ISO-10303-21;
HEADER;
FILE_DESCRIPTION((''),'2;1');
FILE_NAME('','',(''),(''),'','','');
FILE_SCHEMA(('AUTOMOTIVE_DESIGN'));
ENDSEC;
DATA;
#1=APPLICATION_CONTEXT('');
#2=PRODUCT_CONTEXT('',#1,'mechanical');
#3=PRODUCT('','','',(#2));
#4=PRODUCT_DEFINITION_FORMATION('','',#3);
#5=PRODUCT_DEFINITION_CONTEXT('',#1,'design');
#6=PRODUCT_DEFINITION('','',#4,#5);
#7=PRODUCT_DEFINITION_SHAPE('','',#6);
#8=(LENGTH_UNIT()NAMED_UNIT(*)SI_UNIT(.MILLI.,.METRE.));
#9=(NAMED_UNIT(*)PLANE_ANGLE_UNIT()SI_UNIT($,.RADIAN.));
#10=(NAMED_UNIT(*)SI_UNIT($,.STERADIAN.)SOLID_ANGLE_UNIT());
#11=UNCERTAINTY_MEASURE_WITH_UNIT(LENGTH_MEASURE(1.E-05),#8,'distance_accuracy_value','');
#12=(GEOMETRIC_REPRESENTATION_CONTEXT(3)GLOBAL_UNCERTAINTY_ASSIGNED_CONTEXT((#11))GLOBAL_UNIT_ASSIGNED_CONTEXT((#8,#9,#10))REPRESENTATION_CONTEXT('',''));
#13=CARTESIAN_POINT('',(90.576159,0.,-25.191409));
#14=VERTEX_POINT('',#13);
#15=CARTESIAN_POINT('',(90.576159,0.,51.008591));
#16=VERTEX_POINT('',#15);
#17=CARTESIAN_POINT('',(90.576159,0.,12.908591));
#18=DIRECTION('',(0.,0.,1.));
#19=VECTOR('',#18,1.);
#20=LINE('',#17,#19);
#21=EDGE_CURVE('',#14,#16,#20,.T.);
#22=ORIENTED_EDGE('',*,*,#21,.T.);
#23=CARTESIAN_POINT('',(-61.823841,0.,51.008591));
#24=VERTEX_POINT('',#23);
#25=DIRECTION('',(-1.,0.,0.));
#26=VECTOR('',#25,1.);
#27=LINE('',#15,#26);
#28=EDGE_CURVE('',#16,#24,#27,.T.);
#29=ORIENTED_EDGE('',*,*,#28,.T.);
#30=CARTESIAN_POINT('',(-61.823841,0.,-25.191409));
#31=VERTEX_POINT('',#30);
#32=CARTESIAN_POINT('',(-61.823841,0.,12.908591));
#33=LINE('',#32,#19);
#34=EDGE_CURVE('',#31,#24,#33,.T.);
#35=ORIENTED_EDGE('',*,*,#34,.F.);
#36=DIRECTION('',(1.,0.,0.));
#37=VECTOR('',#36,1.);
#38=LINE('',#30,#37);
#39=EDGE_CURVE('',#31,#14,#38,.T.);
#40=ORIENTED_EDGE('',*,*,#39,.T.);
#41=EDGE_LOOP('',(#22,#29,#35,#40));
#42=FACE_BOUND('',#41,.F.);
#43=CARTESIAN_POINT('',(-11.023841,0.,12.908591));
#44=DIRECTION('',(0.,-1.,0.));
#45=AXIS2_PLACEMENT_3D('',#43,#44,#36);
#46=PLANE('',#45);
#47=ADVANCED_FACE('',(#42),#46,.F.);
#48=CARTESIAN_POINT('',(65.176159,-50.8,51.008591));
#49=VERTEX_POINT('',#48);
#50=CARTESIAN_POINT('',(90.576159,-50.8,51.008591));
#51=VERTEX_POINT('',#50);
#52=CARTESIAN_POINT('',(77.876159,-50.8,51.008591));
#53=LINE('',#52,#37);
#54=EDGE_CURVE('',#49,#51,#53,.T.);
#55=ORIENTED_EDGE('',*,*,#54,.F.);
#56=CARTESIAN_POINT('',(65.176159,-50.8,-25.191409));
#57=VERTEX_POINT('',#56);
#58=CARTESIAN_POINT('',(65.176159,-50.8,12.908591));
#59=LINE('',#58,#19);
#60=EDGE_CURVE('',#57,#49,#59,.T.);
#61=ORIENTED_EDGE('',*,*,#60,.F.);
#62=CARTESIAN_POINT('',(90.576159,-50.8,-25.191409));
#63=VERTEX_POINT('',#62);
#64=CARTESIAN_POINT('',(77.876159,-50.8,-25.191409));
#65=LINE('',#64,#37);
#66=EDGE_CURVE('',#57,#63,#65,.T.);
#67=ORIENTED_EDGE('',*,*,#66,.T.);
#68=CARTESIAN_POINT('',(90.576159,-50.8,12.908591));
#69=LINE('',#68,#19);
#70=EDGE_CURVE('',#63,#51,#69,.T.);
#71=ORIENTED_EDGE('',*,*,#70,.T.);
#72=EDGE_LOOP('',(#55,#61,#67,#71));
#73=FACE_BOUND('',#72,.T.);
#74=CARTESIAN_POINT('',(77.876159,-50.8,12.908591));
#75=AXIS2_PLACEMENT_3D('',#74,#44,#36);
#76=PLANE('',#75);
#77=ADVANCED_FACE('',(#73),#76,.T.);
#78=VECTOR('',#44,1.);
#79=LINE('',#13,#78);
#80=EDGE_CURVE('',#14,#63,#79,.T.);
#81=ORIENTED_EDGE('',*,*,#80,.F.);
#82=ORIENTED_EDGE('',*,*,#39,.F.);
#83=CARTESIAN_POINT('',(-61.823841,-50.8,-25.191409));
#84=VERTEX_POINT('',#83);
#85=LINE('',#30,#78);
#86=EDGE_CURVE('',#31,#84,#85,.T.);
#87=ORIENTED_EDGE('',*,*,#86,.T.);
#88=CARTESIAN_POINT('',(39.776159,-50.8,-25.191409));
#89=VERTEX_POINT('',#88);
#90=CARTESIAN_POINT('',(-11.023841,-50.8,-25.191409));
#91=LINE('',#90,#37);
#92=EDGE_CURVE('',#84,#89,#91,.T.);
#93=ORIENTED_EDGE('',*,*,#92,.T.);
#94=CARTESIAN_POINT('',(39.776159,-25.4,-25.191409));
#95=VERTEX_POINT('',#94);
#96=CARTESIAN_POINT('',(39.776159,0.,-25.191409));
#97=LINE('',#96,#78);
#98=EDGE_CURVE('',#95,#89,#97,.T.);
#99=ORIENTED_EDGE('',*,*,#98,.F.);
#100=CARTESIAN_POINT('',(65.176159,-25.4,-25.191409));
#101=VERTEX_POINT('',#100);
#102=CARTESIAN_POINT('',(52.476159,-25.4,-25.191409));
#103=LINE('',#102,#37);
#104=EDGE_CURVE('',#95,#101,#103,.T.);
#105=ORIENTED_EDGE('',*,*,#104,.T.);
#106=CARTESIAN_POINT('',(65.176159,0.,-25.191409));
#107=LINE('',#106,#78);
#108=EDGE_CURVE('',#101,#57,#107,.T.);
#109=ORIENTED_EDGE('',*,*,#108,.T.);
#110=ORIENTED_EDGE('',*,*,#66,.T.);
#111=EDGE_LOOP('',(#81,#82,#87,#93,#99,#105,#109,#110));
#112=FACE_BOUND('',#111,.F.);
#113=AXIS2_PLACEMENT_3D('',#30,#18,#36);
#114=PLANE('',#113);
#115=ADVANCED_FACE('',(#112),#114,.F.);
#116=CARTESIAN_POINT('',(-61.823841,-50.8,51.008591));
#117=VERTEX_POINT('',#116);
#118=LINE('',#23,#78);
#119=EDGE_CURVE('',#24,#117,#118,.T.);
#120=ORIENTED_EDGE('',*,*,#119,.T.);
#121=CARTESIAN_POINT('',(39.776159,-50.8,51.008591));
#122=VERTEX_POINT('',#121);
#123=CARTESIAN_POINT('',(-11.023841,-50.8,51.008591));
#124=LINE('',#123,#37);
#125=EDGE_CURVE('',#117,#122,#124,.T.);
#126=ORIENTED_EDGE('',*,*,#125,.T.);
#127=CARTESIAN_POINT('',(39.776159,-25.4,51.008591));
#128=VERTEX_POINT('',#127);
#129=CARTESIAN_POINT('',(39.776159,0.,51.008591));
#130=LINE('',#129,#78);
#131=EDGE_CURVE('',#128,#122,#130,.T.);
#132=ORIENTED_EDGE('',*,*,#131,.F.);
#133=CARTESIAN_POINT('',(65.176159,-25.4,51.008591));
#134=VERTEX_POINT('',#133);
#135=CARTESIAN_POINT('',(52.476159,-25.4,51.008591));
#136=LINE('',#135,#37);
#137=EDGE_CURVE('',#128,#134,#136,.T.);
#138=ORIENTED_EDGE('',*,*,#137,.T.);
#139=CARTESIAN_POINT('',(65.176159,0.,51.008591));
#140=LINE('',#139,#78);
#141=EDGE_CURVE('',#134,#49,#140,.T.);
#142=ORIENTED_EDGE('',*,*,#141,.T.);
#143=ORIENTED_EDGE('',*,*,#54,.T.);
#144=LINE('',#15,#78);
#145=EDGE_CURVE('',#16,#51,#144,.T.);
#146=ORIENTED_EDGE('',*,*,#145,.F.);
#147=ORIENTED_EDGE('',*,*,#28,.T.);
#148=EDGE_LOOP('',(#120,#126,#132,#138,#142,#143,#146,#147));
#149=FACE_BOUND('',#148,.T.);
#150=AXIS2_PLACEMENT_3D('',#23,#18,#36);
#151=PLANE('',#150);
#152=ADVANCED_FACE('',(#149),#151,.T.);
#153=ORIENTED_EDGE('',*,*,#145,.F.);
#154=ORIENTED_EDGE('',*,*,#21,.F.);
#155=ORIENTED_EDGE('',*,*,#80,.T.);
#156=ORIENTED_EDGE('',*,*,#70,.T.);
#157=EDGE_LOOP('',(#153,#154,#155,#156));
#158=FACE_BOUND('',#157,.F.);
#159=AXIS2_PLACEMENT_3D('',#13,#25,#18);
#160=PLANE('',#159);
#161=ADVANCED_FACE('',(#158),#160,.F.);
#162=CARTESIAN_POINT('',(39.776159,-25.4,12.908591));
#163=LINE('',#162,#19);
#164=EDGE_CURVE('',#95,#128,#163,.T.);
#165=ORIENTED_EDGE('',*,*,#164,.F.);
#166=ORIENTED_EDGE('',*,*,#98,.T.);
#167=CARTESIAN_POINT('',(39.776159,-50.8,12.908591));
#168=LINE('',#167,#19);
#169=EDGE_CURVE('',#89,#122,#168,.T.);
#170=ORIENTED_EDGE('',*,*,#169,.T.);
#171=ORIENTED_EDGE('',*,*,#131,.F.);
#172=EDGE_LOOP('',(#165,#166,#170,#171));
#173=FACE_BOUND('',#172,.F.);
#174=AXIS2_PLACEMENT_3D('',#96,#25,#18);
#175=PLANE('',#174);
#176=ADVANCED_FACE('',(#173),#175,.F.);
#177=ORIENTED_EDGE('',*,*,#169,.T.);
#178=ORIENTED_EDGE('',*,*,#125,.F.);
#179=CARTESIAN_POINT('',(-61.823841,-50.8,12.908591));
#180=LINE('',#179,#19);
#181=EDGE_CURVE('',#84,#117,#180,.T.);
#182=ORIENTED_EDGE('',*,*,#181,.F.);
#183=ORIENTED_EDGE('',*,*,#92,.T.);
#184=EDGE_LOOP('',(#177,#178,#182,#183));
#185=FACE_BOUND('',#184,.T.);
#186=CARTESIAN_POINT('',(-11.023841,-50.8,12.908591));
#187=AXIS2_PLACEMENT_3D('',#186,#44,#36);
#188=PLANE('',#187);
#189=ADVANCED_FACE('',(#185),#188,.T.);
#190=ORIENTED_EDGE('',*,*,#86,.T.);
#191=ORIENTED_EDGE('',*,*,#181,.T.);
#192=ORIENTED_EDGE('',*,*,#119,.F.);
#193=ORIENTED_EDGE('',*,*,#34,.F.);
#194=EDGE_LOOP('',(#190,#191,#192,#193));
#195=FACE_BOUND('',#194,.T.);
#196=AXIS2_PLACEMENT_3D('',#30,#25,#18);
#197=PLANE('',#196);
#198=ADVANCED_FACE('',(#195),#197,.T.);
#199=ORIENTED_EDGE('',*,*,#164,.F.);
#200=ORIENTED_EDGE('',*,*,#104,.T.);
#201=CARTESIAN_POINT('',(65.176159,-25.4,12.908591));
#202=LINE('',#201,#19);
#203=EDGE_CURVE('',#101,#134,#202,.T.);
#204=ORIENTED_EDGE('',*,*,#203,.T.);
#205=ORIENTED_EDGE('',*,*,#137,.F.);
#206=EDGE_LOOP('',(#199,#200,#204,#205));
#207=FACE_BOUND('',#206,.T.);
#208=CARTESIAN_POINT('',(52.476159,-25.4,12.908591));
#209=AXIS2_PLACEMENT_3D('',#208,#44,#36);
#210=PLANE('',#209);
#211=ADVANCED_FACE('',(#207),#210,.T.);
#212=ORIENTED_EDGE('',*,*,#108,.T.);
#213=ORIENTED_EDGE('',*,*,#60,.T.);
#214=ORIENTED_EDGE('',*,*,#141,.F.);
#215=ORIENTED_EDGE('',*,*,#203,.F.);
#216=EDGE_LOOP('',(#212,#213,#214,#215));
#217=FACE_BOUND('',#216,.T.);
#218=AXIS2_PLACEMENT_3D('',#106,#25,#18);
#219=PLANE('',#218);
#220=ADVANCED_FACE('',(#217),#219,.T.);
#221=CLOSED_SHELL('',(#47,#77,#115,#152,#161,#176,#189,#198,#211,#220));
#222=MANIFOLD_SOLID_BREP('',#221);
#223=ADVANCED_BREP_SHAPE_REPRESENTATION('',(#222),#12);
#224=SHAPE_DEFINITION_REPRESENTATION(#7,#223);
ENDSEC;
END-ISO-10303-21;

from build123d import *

# Parameters (mm, degrees)
F0_W     = 25.4
F0_H     = 76.2
F1_DEPTH = 25.4
F0_W_2   = 101.6
F2_DEPTH = 50.8


with BuildPart() as f1:
    # F0 (on Front) → F1 (new body)
    with BuildSketch(Plane.XZ):
        with Locations((52.476159, 12.908591)):
            Rectangle(F0_W, F0_H)
    extrude(amount=F1_DEPTH)

    # F0 (on Front) → F2 (join)
    with BuildSketch(Plane.XZ):
        with Locations((-11.023841, 12.908591)):
            Rectangle(F0_W_2, F0_H)
        with Locations((77.876159, 12.908591)):
            Rectangle(F0_W, F0_H)
    extrude(amount=F2_DEPTH)


solid = f1.part
